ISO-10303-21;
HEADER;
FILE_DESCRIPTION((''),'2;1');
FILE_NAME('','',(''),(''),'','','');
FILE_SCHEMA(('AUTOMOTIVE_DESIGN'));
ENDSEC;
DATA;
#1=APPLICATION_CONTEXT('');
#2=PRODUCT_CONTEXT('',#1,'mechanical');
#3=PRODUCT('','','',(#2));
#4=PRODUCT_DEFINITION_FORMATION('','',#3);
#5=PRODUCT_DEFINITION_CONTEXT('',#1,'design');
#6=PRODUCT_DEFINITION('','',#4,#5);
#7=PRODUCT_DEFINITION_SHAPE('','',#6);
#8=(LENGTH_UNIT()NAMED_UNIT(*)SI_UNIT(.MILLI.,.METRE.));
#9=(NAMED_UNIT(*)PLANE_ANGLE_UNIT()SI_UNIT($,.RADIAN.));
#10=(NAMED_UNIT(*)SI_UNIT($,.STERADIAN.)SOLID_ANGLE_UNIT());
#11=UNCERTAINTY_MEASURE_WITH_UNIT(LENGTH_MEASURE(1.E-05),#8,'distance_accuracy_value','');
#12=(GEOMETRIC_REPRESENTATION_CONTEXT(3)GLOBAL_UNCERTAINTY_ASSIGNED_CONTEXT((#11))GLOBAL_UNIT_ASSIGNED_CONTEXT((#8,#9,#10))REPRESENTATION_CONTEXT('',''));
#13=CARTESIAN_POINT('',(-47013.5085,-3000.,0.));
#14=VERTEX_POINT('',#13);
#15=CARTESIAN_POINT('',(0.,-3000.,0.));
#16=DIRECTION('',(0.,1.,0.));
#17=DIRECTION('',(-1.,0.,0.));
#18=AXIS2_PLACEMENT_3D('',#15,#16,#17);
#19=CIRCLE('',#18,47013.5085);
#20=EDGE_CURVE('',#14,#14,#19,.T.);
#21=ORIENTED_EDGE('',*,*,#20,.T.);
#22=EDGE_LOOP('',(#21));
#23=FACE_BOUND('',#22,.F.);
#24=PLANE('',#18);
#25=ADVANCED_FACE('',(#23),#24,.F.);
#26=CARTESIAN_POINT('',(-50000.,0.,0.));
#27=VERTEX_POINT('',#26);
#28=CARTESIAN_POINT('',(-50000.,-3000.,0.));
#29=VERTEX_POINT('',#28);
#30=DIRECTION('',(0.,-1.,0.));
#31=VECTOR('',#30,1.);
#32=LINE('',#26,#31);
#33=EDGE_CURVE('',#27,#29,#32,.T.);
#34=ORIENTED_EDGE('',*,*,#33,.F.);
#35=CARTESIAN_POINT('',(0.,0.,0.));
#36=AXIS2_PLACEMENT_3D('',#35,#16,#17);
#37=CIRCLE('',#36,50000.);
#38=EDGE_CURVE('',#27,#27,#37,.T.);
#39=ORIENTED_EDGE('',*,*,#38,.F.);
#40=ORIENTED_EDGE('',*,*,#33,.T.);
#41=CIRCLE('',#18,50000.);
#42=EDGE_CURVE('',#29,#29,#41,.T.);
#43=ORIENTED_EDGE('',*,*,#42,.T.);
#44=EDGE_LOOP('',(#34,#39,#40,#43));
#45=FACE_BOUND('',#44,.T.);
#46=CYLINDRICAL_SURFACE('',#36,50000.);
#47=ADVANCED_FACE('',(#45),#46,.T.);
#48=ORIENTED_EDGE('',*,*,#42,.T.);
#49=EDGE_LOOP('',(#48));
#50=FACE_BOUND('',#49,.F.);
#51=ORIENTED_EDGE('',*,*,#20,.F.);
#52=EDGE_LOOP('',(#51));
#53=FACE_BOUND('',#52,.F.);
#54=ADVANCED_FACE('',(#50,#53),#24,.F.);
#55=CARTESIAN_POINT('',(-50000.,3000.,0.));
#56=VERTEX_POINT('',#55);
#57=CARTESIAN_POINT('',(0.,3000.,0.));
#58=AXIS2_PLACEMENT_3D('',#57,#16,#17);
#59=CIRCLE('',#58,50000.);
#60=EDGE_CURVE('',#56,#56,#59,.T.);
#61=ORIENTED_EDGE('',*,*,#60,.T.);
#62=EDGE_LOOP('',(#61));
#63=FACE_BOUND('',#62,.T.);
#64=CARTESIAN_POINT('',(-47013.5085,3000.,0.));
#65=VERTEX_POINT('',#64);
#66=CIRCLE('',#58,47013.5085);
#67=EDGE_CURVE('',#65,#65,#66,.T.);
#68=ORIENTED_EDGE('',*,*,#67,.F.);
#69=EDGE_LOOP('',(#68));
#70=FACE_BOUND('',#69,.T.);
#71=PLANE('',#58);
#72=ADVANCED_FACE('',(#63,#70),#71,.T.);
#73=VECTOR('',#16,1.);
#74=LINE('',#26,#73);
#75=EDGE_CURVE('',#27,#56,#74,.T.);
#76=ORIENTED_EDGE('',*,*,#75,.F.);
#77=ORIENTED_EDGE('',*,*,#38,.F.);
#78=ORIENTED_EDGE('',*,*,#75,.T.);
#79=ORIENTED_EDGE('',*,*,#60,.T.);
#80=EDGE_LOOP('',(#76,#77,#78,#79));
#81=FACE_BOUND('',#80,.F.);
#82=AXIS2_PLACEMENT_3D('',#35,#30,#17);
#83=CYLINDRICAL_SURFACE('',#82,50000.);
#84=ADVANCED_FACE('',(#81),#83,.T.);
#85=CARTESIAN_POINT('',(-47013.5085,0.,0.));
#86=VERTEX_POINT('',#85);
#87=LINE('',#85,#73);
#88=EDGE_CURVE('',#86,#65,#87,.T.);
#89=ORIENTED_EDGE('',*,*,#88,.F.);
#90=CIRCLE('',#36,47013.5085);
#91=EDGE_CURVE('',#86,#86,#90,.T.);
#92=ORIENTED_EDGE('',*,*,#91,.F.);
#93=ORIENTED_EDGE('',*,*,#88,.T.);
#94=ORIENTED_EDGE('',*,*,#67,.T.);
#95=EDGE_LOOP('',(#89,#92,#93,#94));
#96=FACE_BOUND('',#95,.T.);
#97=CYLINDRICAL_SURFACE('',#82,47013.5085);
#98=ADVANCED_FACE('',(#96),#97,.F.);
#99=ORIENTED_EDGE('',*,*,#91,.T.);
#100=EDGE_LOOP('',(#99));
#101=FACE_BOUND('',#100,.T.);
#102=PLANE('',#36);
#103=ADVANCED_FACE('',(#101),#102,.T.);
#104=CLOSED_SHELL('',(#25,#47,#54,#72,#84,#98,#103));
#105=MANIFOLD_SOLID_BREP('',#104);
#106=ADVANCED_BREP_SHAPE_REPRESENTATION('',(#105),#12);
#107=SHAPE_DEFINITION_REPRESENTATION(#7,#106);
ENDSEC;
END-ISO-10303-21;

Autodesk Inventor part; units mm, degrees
ref_plane "YZ Plane" through (0, 0, 0) normal (1, 0, 0) x (0, 1, 0)
ref_plane "XZ Plane" through (0, 0, 0) normal (0, 1, 0) x (-1, 0, 0)
ref_plane "XY Plane" through (0, 0, 0) normal (0, 0, 1) x (1, 0, 0)
sketch "Sketch1" plane through (0, 0, 0) normal (0, 1, 0) x (-1, 0, 0)
  circle A0 centre (0, 0) radius 50000
  circle A1 centre (0, 0) radius 47013.5085
  dimension "d0" = 100000
extrude "Extrusion1" add sketch "Sketch1" along normal mid plane 6000
sketch "Sketch2" plane through (0, 0, 0) normal (0, 1, 0) x (-1, 0, 0)
  circle A0 centre (0, 0) radius 47013.5085 projected
  circle A1 centre (0, 0) radius 50000 projected
  circle A2 centre (0, 0) radius 47013.5085 projected
extrude "Extrusion2" add sketch "Sketch2" against normal blind 3000 contours A0
properties part number "tube"
